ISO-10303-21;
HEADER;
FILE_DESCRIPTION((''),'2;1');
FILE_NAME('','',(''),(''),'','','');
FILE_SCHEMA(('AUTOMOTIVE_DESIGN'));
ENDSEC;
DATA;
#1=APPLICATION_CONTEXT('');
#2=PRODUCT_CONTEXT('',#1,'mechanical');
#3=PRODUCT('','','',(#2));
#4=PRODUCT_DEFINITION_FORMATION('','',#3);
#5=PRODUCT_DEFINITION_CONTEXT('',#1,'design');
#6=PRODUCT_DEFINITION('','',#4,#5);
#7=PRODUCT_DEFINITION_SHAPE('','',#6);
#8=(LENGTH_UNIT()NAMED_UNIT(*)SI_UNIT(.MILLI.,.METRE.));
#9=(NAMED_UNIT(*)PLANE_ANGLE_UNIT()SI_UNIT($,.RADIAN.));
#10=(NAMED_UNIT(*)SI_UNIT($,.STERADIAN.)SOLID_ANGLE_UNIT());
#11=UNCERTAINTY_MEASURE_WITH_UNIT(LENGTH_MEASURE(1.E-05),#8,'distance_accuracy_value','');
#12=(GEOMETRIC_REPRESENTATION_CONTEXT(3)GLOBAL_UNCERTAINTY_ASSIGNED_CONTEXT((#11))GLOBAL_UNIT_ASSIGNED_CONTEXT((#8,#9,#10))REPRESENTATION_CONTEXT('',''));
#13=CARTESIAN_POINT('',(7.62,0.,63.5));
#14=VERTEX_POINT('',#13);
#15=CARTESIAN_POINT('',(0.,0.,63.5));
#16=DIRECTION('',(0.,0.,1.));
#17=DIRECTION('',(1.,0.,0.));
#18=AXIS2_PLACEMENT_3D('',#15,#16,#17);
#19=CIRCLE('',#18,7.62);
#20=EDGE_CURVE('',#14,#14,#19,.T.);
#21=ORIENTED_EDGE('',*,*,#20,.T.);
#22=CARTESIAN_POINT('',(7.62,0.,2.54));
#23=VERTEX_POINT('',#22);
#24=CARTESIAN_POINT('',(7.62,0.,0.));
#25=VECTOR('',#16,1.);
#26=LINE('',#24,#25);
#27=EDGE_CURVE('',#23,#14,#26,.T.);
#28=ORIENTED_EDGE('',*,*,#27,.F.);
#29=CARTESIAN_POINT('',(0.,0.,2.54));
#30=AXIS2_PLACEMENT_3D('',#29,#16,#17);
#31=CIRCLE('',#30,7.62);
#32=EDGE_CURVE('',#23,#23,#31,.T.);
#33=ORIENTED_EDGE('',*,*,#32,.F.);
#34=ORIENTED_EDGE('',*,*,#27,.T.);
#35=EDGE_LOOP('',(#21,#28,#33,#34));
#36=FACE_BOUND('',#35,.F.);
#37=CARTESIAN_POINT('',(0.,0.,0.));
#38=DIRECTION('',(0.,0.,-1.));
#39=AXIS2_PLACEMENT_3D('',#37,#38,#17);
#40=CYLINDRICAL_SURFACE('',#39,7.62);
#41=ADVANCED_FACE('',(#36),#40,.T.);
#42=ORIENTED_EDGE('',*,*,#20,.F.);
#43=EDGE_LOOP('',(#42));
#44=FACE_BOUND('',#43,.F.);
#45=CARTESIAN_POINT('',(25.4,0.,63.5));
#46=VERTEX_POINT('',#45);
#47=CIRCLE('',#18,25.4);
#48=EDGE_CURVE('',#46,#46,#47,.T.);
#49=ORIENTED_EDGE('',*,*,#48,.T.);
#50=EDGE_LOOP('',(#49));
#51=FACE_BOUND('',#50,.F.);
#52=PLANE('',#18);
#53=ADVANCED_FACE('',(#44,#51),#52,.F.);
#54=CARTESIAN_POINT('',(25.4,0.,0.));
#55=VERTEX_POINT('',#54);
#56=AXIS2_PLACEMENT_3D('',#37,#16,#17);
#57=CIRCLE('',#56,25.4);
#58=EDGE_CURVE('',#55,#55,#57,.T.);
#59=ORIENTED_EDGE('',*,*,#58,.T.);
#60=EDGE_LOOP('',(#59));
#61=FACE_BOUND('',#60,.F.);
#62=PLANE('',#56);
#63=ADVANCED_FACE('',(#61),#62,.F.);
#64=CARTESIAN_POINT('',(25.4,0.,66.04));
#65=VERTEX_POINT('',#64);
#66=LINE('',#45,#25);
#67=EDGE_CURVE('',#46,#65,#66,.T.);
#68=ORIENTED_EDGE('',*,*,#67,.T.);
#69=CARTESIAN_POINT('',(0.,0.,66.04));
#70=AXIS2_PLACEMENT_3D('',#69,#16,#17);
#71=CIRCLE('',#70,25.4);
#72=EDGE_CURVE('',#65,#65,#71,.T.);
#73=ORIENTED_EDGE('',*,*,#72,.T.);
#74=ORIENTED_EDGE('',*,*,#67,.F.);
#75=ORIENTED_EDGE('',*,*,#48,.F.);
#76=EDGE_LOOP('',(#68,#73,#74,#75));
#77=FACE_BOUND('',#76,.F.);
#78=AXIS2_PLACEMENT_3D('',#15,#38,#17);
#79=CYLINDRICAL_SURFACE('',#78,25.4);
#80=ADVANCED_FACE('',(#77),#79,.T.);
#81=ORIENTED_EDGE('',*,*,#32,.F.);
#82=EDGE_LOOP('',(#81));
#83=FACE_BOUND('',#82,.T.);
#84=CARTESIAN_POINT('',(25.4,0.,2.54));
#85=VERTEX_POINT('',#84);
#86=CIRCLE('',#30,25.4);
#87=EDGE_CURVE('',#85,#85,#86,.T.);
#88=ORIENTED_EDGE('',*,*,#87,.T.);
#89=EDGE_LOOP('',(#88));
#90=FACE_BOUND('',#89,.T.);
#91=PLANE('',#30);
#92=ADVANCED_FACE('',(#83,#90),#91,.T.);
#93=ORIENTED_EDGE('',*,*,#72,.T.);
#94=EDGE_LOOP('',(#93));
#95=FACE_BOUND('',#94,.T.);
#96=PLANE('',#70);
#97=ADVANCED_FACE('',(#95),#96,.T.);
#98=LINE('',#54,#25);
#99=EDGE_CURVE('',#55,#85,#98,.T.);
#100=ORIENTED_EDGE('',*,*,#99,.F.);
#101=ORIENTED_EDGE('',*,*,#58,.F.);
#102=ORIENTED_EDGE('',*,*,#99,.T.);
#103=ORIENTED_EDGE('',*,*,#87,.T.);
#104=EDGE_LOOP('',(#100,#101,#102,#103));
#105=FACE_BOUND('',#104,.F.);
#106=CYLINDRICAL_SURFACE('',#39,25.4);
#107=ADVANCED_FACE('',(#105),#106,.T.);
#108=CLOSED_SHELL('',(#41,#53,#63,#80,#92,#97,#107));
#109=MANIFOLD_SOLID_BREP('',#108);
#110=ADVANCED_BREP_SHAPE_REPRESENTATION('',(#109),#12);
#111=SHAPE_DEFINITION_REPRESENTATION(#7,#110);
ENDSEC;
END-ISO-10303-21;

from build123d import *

# Parameters (mm, degrees)
F0_R     = 25.4
F0_R_2   = 7.62
F1_DEPTH = 2.54
F2_DEPTH = 63.5
F3_R     = 25.4
F3_R_2   = 7.62
F4_DEPTH = 2.54


with BuildPart() as f1:
    # F0 (on Top) → F1 (new body)
    with BuildSketch(Plane.XY):
        Circle(F0_R)
        Circle(F0_R_2, mode=Mode.SUBTRACT)
    extrude(amount=F1_DEPTH)

    # F0 (on Top) → F2 (join)
    with BuildSketch(Plane.XY):
        Circle(F0_R_2)
    extrude(amount=F2_DEPTH)

    # F3 (on face) → F4 (join)
    with BuildSketch(Plane.XY.offset(63.5)):
        Circle(F3_R)
        Circle(F3_R_2)
    extrude(amount=F4_DEPTH)


solid = f1.part
